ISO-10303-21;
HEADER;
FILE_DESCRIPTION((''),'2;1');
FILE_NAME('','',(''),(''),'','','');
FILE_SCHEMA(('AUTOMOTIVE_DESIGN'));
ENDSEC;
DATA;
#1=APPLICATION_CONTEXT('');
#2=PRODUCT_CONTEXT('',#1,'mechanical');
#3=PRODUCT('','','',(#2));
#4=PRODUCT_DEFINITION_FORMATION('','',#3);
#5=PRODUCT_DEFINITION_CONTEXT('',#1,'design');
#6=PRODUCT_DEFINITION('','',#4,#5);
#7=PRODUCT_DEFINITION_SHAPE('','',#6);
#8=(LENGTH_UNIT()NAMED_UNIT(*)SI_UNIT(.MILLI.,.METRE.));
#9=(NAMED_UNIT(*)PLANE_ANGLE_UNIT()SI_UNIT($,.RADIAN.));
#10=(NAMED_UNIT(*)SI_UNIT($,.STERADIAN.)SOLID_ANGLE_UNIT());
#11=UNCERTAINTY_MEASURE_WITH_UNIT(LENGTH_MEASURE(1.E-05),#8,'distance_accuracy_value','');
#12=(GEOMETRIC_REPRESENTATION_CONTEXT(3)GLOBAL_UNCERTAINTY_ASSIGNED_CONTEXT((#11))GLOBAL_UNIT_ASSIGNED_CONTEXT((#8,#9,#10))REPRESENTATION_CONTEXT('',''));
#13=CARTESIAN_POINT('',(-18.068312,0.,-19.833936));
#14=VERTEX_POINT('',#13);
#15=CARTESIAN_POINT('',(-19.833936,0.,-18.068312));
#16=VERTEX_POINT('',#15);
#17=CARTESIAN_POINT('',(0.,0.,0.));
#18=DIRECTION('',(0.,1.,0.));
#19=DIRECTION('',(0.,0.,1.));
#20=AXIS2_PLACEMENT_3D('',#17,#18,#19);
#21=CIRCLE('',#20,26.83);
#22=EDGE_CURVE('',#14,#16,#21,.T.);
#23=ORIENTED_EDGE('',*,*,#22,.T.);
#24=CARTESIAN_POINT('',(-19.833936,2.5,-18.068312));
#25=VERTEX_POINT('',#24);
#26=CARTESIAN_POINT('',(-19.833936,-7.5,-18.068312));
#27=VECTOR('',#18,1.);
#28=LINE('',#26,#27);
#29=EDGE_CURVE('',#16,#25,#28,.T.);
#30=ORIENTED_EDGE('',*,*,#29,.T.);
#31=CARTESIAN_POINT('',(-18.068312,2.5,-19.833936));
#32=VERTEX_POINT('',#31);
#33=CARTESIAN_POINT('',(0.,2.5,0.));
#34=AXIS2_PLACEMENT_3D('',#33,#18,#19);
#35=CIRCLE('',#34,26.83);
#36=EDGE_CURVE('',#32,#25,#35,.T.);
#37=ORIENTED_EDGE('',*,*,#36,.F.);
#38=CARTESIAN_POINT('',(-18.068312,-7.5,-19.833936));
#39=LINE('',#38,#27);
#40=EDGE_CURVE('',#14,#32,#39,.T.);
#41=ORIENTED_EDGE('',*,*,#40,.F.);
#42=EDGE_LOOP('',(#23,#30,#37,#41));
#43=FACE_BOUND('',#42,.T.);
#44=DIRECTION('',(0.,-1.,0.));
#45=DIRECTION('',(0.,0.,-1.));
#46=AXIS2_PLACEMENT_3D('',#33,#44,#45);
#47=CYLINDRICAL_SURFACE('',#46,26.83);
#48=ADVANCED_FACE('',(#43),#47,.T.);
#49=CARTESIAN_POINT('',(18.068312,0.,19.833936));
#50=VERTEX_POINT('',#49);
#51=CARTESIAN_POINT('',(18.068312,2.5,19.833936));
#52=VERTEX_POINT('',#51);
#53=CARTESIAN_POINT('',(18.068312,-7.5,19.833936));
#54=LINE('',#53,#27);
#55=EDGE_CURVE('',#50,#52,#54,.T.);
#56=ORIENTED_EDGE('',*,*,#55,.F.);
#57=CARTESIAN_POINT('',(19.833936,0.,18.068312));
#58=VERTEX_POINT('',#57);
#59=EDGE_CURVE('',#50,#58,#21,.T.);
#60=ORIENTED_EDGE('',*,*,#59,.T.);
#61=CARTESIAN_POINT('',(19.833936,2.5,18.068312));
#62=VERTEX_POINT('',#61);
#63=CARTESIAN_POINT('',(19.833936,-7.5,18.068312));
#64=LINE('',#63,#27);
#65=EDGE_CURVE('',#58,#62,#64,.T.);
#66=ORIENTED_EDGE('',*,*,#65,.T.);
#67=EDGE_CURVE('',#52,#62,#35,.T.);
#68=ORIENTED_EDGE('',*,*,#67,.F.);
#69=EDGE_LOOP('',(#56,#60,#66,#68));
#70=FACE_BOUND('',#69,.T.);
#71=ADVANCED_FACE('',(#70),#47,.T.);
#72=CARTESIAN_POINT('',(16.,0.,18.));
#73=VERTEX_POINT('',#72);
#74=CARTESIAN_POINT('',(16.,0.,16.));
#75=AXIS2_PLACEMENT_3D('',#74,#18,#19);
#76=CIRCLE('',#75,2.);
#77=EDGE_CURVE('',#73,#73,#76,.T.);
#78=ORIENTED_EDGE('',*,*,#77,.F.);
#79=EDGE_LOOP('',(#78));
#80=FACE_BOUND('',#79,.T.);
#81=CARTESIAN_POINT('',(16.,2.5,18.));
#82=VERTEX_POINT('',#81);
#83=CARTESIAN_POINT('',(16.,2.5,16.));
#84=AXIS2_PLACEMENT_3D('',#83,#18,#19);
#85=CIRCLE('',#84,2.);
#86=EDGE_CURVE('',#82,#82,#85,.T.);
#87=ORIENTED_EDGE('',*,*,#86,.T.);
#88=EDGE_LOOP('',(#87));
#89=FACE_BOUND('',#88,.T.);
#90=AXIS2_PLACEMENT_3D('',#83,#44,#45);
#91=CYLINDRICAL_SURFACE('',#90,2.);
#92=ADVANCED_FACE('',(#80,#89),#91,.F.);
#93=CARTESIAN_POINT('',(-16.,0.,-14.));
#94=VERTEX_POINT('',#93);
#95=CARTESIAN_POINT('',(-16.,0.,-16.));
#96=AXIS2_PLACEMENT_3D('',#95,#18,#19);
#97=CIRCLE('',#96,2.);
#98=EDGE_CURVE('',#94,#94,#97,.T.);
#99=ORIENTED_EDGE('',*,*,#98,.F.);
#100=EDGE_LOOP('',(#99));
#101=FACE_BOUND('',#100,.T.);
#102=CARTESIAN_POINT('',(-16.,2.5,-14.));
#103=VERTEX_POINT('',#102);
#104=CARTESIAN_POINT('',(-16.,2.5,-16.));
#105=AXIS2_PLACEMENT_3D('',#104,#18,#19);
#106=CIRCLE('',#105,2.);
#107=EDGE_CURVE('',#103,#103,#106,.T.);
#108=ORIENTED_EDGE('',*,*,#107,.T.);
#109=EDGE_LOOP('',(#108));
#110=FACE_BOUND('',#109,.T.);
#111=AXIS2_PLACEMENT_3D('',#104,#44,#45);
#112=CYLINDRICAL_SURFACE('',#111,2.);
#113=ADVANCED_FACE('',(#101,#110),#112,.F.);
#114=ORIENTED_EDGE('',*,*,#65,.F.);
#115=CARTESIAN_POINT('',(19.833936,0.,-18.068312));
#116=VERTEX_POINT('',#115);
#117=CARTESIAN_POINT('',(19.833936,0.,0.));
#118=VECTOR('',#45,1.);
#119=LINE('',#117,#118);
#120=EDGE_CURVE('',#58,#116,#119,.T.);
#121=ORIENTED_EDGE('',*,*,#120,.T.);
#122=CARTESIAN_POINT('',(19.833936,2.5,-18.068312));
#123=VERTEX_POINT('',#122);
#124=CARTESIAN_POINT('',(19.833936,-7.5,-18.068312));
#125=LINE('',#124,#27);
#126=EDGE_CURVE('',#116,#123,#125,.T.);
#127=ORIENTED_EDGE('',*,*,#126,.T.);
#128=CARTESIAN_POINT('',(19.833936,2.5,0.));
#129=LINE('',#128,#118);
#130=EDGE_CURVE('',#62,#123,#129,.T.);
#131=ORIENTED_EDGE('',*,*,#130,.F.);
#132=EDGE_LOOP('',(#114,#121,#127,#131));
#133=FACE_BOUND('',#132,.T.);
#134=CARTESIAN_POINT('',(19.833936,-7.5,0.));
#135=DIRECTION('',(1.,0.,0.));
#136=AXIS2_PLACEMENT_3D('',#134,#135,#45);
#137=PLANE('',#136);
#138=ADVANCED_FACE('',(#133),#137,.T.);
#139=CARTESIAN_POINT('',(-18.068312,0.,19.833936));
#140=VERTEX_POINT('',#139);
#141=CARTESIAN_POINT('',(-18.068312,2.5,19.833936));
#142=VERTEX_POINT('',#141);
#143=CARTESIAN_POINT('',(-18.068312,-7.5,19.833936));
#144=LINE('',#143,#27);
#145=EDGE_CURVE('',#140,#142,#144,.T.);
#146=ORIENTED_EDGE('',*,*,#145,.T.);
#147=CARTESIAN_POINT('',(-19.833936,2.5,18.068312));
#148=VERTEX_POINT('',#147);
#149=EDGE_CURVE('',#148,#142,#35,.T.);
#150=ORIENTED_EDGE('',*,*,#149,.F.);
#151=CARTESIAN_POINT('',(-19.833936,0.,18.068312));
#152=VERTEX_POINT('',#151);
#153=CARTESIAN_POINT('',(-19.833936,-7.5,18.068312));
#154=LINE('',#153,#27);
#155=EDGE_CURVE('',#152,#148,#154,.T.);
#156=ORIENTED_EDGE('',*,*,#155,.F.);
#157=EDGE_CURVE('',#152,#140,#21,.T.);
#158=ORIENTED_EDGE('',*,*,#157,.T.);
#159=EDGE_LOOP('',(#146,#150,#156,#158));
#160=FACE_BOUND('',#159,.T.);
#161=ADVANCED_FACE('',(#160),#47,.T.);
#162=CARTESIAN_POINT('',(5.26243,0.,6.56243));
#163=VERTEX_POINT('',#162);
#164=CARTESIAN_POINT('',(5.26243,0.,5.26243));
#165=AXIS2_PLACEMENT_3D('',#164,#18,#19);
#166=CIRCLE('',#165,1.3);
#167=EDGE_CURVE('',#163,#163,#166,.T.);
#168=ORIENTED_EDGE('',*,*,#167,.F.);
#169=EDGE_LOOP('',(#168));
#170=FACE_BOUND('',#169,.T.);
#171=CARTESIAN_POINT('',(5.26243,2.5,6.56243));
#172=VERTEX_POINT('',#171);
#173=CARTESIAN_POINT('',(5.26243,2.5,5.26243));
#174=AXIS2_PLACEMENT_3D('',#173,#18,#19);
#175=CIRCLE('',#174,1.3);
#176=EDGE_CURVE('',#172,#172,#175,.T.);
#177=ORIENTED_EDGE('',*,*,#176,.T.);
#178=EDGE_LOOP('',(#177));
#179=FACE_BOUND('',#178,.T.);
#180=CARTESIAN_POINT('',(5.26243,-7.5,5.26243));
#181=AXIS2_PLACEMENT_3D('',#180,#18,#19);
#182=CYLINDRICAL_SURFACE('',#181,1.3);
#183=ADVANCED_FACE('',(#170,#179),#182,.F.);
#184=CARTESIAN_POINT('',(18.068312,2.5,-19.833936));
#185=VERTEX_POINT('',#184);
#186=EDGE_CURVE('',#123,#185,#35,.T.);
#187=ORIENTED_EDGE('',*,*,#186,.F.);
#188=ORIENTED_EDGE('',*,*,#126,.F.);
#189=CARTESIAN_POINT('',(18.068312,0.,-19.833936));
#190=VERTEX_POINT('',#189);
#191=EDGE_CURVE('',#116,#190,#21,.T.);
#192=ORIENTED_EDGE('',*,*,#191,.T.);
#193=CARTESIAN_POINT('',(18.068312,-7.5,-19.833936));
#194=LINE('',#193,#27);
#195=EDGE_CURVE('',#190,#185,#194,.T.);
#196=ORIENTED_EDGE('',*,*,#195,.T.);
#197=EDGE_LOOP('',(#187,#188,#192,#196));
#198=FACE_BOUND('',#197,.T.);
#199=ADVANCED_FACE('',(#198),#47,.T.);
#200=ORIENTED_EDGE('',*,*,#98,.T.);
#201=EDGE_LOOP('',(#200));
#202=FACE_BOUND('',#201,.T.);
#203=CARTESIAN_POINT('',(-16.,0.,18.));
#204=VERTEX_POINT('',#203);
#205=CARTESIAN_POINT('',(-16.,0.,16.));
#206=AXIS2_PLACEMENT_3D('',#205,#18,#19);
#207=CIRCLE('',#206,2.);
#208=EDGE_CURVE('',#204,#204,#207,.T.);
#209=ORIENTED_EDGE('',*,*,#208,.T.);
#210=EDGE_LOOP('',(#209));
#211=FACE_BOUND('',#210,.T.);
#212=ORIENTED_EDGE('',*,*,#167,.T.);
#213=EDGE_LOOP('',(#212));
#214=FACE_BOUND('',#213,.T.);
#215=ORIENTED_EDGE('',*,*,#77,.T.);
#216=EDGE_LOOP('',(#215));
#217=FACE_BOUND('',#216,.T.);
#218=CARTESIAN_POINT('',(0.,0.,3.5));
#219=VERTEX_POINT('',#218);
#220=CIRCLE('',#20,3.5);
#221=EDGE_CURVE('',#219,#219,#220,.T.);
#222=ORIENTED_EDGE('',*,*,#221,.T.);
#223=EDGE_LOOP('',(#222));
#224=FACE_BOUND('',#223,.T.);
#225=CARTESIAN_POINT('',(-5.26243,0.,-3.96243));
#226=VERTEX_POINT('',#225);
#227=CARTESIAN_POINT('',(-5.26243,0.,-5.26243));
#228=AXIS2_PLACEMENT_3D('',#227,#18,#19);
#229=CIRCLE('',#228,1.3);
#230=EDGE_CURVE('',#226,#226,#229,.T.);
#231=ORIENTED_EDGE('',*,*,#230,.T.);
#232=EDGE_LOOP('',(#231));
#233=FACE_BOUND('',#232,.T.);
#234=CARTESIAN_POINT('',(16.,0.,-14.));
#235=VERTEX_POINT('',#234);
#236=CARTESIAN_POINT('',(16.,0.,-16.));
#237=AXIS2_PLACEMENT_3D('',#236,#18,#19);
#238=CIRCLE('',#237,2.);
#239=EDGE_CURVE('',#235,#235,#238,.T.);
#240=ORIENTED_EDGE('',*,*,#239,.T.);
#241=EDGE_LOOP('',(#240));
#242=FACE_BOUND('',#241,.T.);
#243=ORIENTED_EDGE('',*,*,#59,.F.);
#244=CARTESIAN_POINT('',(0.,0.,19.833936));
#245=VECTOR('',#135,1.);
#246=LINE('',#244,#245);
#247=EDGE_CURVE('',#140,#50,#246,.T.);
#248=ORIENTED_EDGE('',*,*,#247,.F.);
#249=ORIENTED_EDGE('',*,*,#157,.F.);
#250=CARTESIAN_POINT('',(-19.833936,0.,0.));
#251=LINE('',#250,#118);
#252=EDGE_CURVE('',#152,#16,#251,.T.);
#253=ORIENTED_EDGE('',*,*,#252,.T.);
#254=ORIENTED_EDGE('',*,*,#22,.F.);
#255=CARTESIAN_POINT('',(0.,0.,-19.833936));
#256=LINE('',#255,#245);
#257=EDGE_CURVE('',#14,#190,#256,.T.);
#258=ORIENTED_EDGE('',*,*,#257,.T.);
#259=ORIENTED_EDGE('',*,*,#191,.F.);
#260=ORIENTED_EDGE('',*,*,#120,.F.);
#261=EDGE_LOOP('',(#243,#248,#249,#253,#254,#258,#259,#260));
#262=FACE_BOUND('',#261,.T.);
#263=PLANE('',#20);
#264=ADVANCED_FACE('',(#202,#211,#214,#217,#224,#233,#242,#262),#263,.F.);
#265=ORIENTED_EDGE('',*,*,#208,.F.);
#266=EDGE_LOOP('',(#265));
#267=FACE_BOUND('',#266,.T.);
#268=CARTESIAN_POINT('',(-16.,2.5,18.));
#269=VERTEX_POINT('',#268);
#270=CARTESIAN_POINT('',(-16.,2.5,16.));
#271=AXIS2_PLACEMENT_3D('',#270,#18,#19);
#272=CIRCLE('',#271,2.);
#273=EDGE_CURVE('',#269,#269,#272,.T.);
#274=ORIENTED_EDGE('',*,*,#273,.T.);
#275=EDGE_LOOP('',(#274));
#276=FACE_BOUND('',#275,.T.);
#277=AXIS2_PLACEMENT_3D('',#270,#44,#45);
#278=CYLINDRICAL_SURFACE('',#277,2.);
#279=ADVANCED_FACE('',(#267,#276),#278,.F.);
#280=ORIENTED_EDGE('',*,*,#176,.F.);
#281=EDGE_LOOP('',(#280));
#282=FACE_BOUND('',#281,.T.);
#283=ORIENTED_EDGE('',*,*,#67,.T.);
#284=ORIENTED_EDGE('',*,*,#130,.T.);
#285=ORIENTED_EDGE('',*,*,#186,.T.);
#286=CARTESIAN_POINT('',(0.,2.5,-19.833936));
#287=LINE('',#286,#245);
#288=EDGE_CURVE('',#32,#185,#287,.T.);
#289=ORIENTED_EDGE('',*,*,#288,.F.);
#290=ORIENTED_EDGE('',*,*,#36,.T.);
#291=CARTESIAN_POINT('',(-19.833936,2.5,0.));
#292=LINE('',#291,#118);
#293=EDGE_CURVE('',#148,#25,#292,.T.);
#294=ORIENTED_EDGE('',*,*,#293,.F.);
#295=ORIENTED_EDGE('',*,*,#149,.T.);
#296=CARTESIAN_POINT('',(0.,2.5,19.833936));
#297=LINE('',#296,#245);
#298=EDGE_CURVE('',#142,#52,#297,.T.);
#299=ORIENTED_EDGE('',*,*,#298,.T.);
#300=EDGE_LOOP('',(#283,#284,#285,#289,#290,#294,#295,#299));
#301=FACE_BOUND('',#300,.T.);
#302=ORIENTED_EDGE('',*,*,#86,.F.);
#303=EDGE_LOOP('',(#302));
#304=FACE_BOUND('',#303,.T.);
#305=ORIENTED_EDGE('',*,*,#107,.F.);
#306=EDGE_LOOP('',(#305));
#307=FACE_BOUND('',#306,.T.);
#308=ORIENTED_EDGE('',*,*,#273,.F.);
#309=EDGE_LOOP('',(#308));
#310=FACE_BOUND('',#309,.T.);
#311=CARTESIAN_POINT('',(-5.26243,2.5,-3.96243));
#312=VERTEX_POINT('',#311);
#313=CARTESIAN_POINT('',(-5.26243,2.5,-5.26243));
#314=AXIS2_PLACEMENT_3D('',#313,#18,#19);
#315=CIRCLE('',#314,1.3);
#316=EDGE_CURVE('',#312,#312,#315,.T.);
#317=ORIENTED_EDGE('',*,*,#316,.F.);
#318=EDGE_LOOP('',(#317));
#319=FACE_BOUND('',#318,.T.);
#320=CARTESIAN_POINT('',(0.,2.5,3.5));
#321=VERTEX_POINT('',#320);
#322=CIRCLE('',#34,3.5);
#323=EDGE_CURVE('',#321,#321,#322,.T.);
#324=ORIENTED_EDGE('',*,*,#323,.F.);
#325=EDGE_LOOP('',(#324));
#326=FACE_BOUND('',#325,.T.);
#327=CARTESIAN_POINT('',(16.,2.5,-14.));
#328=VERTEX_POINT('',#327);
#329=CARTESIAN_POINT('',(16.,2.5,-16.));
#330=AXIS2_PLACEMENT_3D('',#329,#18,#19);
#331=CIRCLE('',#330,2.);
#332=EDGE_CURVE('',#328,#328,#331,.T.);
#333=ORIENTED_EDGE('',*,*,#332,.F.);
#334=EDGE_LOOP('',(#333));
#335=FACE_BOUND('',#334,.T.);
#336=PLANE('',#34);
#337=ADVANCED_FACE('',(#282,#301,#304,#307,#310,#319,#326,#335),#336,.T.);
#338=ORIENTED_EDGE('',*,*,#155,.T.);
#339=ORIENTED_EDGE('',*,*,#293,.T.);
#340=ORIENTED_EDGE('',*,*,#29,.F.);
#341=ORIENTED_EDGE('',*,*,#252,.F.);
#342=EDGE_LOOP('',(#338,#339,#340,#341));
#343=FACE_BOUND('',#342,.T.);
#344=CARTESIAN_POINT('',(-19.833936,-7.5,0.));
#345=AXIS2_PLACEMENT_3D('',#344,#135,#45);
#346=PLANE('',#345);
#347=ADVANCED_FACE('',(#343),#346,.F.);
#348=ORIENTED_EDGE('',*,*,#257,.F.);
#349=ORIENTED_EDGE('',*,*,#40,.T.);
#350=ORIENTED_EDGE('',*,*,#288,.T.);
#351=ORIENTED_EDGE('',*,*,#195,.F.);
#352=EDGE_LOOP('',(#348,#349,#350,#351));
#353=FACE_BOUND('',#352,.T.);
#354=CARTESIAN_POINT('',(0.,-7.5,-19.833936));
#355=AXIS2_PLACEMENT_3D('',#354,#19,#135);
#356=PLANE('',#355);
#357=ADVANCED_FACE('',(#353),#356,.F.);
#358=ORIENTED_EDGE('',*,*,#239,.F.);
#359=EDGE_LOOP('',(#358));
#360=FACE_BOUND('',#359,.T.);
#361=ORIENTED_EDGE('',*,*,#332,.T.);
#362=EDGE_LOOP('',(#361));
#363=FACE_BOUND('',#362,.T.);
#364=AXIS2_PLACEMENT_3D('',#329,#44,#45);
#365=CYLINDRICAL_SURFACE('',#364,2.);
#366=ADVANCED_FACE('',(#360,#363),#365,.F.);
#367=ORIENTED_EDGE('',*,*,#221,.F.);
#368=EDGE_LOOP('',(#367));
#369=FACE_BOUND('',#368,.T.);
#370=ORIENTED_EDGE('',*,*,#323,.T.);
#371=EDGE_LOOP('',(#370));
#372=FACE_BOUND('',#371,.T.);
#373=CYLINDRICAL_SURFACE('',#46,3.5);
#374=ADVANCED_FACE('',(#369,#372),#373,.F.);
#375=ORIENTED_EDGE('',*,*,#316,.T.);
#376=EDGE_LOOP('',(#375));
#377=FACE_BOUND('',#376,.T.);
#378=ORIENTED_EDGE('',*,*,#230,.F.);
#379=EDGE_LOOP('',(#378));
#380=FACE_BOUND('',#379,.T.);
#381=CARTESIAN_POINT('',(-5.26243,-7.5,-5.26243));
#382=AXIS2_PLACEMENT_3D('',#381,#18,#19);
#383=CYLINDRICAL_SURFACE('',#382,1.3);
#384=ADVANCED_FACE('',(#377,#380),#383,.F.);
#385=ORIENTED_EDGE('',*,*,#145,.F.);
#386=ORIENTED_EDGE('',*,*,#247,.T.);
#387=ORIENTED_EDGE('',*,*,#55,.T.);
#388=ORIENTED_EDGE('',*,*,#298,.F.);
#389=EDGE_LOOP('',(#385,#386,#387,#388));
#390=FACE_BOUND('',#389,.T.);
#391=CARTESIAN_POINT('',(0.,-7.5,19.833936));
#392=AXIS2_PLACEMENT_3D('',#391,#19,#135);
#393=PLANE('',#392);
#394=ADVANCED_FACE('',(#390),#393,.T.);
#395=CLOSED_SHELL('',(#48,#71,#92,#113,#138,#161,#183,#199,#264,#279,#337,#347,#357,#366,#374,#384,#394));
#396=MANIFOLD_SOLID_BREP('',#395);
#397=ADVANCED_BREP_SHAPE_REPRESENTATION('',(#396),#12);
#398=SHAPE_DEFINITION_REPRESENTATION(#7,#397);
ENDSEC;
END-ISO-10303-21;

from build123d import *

# Parameters (mm, degrees)
SKETCH1_R           = 26.83
SKETCH1_R_2         = 3.5
SKETCH1_R_3         = 2
BOSS_EXTRUDE1_DEPTH = 2.5
CUT_EXTRUDE2_START  = -10
CUT_EXTRUDE2_DEPTH  = 10
SKETCH2_R           = 1.3
CUT_EXTRUDE3_DEPTH  = 10


with BuildPart() as part:
    # Sketch1 → Boss-Extrude1 (new body)
    with BuildSketch(Plane(origin=(0, 0, 0), x_dir=(1, 0, 0), z_dir=(0, 1, 0))):
        with Locations(Location((0, 0, 0), (0, 0, 270))):
            Circle(SKETCH1_R)
        with Locations(Location((0, 0, 0), (0, 0, 270))):
            Circle(SKETCH1_R_2, mode=Mode.SUBTRACT)
        with Locations(Location((-16.000000001, 16.000000001, 0), (0, 0, 270))):
            Circle(SKETCH1_R_3, mode=Mode.SUBTRACT)
        with Locations(Location((16.000000001, 16.000000001, 0), (0, 0, 270))):
            Circle(SKETCH1_R_3, mode=Mode.SUBTRACT)
        with Locations(Location((16.000000001, -16.000000001, 0), (0, 0, 270))):
            Circle(SKETCH1_R_3, mode=Mode.SUBTRACT)
        with Locations(Location((-16.000000001, -16.000000001, 0), (0, 0, 270))):
            Circle(SKETCH1_R_3, mode=Mode.SUBTRACT)
    extrude(amount=BOSS_EXTRUDE1_DEPTH)

    # Sketch3 → Cut-Extrude2 (cut)
    with BuildSketch(Plane(origin=(0, 2.5, 0), x_dir=(1, 0, 0), z_dir=(0, 1, 0)).offset(CUT_EXTRUDE2_START)):
        with BuildLine():
            Line((-19.833935995, -18.068311569), (-19.833935995, 18.068311569))
            ThreePointArc((-19.833935995, 18.068311569), (-26.83, 0), (-19.833935995, -18.068311569))
        make_face()
        with BuildLine():
            Line((-18.068311569, 19.833935995), (18.068311569, 19.833935995))
            ThreePointArc((18.068311569, 19.833935995), (0, 26.83), (-18.068311569, 19.833935995))
        make_face()
        with BuildLine():
            ThreePointArc((26.83, 0), (25.019926086, 9.687734443), (19.833935995, 18.068311569))
            Line((19.833935995, 18.068311569), (19.833935995, -18.068311569))
            ThreePointArc((19.833935995, -18.068311569), (25.019926086, -9.687734443), (26.83, 0))
        make_face()
        with BuildLine():
            ThreePointArc((-18.068311569, -19.833935995), (0, -26.83), (18.068311569, -19.833935995))
            Line((18.068311569, -19.833935995), (-18.068311569, -19.833935995))
        make_face()
    extrude(amount=CUT_EXTRUDE2_DEPTH, mode=Mode.SUBTRACT)

    # Sketch2 → Cut-Extrude3 (cut)
    with BuildSketch(Plane(origin=(0, 2.5, 0), x_dir=(1, 0, 0), z_dir=(0, 1, 0))):
        with Locations(Location((-5.262430087, 5.262430087, 0), (0, 0, 270))):
            Circle(SKETCH2_R)
        with Locations(Location((5.262430087, -5.262430087, 0), (0, 0, 270))):
            Circle(SKETCH2_R)
    extrude(amount=-CUT_EXTRUDE3_DEPTH, mode=Mode.SUBTRACT)


solid = part.part
